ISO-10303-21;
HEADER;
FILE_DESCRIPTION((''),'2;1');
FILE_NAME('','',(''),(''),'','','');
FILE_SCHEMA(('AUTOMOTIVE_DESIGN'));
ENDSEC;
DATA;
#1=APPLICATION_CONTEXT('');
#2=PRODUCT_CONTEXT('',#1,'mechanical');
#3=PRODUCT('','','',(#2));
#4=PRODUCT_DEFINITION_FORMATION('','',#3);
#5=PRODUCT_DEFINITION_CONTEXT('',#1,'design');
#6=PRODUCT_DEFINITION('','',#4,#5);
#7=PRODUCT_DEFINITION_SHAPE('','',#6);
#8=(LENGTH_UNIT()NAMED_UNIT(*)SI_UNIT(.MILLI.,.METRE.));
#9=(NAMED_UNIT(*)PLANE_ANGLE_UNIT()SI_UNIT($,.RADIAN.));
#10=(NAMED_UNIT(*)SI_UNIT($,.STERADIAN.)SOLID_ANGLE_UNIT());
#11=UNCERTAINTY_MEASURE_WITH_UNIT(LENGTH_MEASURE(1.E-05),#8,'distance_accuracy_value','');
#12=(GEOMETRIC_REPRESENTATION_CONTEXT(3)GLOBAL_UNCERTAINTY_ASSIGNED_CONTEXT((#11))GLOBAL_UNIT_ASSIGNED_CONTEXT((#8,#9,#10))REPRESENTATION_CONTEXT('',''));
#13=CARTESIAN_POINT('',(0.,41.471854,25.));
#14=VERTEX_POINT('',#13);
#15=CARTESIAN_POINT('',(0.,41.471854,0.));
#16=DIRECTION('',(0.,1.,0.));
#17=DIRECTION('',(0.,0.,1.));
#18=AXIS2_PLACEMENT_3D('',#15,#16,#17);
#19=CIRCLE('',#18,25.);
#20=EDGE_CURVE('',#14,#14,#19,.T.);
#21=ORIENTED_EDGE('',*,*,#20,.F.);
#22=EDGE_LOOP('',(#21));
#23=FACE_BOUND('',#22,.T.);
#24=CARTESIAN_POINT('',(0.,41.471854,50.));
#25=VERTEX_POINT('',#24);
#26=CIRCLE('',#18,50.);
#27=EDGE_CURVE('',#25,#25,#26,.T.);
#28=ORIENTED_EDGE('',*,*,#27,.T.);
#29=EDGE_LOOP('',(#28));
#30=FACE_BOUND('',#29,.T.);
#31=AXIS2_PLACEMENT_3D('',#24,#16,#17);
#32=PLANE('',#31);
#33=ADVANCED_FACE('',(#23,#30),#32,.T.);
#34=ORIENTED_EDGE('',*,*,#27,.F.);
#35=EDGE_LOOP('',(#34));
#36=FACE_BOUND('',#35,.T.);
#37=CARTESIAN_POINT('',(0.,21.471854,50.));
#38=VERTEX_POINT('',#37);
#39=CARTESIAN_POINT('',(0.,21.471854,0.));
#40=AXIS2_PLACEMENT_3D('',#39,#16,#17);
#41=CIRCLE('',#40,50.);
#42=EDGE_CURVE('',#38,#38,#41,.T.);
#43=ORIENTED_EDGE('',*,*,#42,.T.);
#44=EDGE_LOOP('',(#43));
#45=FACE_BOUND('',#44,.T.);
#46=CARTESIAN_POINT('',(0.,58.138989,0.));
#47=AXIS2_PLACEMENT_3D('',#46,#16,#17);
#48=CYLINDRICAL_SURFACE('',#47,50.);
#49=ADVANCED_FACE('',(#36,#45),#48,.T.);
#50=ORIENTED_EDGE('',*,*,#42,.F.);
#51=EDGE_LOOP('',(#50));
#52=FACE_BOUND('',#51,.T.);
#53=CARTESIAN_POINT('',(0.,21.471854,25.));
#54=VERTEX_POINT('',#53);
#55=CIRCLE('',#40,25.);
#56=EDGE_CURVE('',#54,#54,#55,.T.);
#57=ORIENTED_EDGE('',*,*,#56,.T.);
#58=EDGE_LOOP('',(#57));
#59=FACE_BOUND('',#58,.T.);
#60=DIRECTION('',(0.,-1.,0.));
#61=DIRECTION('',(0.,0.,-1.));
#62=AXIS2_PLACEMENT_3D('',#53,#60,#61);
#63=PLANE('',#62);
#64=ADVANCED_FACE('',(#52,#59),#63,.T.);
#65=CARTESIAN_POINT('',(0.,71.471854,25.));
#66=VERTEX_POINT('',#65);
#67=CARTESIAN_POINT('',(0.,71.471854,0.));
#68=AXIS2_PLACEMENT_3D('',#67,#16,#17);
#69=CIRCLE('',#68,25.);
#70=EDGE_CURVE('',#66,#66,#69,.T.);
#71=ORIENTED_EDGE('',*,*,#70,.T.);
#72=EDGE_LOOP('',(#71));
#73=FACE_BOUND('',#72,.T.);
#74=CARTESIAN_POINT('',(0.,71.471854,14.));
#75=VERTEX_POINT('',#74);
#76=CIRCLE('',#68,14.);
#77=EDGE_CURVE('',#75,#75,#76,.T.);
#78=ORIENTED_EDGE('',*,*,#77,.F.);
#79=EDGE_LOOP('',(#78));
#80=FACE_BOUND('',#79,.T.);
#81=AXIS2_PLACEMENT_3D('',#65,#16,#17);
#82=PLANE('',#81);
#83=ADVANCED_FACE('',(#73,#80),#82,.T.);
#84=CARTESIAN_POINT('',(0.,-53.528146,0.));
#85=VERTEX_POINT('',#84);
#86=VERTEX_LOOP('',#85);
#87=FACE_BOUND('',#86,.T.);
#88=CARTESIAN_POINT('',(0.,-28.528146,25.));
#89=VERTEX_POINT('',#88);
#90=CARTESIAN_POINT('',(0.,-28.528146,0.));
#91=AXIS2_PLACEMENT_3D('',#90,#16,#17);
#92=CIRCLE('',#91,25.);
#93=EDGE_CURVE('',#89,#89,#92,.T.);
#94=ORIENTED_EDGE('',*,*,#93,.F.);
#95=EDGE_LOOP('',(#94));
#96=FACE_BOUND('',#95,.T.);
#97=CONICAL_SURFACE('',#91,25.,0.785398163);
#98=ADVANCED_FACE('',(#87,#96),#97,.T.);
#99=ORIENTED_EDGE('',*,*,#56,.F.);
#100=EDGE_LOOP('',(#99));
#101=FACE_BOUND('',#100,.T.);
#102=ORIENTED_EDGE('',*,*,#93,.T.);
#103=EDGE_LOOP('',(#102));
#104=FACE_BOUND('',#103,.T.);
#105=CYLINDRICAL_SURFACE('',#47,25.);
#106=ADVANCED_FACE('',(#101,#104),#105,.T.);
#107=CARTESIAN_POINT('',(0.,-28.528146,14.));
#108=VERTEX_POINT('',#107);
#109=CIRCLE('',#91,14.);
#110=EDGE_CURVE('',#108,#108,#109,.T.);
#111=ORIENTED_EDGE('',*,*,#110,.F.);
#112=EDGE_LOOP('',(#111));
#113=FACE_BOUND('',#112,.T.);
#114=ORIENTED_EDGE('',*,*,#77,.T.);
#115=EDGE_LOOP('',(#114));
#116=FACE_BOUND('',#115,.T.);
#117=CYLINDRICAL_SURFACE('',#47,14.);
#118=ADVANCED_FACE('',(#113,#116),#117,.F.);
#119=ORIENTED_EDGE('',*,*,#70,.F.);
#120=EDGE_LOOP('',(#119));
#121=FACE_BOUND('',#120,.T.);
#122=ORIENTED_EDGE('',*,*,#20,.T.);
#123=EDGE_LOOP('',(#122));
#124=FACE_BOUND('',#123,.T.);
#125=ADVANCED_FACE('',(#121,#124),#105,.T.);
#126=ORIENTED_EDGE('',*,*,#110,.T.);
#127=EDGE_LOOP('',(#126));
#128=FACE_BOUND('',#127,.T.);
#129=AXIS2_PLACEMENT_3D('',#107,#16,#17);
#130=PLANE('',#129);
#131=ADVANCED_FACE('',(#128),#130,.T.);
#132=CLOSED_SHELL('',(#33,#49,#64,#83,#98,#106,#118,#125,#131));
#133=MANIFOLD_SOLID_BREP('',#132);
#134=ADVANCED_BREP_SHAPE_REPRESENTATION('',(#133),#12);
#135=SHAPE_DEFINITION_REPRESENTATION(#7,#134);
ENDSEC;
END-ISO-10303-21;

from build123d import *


with BuildPart() as part:
    # Sketch1 → Revolve1 (revolve)
    with BuildSketch(Plane(origin=(0, 0, 0), x_dir=(0, 0, -1), z_dir=(1, 0, 0))):
        Polygon((-25, 21.471853961), (-25, -28.528146039), (0, -53.528146039), (0, -28.528146039), (-14, -28.528146039), (-14, 71.471853961), (-25, 71.471853961), (-25, 41.471853961), (-50, 41.471853961), (-50, 21.471853961), align=None)
    revolve(axis=Axis((0, 58.138989395, 0), (0, -1, 0)))


solid = part.part
